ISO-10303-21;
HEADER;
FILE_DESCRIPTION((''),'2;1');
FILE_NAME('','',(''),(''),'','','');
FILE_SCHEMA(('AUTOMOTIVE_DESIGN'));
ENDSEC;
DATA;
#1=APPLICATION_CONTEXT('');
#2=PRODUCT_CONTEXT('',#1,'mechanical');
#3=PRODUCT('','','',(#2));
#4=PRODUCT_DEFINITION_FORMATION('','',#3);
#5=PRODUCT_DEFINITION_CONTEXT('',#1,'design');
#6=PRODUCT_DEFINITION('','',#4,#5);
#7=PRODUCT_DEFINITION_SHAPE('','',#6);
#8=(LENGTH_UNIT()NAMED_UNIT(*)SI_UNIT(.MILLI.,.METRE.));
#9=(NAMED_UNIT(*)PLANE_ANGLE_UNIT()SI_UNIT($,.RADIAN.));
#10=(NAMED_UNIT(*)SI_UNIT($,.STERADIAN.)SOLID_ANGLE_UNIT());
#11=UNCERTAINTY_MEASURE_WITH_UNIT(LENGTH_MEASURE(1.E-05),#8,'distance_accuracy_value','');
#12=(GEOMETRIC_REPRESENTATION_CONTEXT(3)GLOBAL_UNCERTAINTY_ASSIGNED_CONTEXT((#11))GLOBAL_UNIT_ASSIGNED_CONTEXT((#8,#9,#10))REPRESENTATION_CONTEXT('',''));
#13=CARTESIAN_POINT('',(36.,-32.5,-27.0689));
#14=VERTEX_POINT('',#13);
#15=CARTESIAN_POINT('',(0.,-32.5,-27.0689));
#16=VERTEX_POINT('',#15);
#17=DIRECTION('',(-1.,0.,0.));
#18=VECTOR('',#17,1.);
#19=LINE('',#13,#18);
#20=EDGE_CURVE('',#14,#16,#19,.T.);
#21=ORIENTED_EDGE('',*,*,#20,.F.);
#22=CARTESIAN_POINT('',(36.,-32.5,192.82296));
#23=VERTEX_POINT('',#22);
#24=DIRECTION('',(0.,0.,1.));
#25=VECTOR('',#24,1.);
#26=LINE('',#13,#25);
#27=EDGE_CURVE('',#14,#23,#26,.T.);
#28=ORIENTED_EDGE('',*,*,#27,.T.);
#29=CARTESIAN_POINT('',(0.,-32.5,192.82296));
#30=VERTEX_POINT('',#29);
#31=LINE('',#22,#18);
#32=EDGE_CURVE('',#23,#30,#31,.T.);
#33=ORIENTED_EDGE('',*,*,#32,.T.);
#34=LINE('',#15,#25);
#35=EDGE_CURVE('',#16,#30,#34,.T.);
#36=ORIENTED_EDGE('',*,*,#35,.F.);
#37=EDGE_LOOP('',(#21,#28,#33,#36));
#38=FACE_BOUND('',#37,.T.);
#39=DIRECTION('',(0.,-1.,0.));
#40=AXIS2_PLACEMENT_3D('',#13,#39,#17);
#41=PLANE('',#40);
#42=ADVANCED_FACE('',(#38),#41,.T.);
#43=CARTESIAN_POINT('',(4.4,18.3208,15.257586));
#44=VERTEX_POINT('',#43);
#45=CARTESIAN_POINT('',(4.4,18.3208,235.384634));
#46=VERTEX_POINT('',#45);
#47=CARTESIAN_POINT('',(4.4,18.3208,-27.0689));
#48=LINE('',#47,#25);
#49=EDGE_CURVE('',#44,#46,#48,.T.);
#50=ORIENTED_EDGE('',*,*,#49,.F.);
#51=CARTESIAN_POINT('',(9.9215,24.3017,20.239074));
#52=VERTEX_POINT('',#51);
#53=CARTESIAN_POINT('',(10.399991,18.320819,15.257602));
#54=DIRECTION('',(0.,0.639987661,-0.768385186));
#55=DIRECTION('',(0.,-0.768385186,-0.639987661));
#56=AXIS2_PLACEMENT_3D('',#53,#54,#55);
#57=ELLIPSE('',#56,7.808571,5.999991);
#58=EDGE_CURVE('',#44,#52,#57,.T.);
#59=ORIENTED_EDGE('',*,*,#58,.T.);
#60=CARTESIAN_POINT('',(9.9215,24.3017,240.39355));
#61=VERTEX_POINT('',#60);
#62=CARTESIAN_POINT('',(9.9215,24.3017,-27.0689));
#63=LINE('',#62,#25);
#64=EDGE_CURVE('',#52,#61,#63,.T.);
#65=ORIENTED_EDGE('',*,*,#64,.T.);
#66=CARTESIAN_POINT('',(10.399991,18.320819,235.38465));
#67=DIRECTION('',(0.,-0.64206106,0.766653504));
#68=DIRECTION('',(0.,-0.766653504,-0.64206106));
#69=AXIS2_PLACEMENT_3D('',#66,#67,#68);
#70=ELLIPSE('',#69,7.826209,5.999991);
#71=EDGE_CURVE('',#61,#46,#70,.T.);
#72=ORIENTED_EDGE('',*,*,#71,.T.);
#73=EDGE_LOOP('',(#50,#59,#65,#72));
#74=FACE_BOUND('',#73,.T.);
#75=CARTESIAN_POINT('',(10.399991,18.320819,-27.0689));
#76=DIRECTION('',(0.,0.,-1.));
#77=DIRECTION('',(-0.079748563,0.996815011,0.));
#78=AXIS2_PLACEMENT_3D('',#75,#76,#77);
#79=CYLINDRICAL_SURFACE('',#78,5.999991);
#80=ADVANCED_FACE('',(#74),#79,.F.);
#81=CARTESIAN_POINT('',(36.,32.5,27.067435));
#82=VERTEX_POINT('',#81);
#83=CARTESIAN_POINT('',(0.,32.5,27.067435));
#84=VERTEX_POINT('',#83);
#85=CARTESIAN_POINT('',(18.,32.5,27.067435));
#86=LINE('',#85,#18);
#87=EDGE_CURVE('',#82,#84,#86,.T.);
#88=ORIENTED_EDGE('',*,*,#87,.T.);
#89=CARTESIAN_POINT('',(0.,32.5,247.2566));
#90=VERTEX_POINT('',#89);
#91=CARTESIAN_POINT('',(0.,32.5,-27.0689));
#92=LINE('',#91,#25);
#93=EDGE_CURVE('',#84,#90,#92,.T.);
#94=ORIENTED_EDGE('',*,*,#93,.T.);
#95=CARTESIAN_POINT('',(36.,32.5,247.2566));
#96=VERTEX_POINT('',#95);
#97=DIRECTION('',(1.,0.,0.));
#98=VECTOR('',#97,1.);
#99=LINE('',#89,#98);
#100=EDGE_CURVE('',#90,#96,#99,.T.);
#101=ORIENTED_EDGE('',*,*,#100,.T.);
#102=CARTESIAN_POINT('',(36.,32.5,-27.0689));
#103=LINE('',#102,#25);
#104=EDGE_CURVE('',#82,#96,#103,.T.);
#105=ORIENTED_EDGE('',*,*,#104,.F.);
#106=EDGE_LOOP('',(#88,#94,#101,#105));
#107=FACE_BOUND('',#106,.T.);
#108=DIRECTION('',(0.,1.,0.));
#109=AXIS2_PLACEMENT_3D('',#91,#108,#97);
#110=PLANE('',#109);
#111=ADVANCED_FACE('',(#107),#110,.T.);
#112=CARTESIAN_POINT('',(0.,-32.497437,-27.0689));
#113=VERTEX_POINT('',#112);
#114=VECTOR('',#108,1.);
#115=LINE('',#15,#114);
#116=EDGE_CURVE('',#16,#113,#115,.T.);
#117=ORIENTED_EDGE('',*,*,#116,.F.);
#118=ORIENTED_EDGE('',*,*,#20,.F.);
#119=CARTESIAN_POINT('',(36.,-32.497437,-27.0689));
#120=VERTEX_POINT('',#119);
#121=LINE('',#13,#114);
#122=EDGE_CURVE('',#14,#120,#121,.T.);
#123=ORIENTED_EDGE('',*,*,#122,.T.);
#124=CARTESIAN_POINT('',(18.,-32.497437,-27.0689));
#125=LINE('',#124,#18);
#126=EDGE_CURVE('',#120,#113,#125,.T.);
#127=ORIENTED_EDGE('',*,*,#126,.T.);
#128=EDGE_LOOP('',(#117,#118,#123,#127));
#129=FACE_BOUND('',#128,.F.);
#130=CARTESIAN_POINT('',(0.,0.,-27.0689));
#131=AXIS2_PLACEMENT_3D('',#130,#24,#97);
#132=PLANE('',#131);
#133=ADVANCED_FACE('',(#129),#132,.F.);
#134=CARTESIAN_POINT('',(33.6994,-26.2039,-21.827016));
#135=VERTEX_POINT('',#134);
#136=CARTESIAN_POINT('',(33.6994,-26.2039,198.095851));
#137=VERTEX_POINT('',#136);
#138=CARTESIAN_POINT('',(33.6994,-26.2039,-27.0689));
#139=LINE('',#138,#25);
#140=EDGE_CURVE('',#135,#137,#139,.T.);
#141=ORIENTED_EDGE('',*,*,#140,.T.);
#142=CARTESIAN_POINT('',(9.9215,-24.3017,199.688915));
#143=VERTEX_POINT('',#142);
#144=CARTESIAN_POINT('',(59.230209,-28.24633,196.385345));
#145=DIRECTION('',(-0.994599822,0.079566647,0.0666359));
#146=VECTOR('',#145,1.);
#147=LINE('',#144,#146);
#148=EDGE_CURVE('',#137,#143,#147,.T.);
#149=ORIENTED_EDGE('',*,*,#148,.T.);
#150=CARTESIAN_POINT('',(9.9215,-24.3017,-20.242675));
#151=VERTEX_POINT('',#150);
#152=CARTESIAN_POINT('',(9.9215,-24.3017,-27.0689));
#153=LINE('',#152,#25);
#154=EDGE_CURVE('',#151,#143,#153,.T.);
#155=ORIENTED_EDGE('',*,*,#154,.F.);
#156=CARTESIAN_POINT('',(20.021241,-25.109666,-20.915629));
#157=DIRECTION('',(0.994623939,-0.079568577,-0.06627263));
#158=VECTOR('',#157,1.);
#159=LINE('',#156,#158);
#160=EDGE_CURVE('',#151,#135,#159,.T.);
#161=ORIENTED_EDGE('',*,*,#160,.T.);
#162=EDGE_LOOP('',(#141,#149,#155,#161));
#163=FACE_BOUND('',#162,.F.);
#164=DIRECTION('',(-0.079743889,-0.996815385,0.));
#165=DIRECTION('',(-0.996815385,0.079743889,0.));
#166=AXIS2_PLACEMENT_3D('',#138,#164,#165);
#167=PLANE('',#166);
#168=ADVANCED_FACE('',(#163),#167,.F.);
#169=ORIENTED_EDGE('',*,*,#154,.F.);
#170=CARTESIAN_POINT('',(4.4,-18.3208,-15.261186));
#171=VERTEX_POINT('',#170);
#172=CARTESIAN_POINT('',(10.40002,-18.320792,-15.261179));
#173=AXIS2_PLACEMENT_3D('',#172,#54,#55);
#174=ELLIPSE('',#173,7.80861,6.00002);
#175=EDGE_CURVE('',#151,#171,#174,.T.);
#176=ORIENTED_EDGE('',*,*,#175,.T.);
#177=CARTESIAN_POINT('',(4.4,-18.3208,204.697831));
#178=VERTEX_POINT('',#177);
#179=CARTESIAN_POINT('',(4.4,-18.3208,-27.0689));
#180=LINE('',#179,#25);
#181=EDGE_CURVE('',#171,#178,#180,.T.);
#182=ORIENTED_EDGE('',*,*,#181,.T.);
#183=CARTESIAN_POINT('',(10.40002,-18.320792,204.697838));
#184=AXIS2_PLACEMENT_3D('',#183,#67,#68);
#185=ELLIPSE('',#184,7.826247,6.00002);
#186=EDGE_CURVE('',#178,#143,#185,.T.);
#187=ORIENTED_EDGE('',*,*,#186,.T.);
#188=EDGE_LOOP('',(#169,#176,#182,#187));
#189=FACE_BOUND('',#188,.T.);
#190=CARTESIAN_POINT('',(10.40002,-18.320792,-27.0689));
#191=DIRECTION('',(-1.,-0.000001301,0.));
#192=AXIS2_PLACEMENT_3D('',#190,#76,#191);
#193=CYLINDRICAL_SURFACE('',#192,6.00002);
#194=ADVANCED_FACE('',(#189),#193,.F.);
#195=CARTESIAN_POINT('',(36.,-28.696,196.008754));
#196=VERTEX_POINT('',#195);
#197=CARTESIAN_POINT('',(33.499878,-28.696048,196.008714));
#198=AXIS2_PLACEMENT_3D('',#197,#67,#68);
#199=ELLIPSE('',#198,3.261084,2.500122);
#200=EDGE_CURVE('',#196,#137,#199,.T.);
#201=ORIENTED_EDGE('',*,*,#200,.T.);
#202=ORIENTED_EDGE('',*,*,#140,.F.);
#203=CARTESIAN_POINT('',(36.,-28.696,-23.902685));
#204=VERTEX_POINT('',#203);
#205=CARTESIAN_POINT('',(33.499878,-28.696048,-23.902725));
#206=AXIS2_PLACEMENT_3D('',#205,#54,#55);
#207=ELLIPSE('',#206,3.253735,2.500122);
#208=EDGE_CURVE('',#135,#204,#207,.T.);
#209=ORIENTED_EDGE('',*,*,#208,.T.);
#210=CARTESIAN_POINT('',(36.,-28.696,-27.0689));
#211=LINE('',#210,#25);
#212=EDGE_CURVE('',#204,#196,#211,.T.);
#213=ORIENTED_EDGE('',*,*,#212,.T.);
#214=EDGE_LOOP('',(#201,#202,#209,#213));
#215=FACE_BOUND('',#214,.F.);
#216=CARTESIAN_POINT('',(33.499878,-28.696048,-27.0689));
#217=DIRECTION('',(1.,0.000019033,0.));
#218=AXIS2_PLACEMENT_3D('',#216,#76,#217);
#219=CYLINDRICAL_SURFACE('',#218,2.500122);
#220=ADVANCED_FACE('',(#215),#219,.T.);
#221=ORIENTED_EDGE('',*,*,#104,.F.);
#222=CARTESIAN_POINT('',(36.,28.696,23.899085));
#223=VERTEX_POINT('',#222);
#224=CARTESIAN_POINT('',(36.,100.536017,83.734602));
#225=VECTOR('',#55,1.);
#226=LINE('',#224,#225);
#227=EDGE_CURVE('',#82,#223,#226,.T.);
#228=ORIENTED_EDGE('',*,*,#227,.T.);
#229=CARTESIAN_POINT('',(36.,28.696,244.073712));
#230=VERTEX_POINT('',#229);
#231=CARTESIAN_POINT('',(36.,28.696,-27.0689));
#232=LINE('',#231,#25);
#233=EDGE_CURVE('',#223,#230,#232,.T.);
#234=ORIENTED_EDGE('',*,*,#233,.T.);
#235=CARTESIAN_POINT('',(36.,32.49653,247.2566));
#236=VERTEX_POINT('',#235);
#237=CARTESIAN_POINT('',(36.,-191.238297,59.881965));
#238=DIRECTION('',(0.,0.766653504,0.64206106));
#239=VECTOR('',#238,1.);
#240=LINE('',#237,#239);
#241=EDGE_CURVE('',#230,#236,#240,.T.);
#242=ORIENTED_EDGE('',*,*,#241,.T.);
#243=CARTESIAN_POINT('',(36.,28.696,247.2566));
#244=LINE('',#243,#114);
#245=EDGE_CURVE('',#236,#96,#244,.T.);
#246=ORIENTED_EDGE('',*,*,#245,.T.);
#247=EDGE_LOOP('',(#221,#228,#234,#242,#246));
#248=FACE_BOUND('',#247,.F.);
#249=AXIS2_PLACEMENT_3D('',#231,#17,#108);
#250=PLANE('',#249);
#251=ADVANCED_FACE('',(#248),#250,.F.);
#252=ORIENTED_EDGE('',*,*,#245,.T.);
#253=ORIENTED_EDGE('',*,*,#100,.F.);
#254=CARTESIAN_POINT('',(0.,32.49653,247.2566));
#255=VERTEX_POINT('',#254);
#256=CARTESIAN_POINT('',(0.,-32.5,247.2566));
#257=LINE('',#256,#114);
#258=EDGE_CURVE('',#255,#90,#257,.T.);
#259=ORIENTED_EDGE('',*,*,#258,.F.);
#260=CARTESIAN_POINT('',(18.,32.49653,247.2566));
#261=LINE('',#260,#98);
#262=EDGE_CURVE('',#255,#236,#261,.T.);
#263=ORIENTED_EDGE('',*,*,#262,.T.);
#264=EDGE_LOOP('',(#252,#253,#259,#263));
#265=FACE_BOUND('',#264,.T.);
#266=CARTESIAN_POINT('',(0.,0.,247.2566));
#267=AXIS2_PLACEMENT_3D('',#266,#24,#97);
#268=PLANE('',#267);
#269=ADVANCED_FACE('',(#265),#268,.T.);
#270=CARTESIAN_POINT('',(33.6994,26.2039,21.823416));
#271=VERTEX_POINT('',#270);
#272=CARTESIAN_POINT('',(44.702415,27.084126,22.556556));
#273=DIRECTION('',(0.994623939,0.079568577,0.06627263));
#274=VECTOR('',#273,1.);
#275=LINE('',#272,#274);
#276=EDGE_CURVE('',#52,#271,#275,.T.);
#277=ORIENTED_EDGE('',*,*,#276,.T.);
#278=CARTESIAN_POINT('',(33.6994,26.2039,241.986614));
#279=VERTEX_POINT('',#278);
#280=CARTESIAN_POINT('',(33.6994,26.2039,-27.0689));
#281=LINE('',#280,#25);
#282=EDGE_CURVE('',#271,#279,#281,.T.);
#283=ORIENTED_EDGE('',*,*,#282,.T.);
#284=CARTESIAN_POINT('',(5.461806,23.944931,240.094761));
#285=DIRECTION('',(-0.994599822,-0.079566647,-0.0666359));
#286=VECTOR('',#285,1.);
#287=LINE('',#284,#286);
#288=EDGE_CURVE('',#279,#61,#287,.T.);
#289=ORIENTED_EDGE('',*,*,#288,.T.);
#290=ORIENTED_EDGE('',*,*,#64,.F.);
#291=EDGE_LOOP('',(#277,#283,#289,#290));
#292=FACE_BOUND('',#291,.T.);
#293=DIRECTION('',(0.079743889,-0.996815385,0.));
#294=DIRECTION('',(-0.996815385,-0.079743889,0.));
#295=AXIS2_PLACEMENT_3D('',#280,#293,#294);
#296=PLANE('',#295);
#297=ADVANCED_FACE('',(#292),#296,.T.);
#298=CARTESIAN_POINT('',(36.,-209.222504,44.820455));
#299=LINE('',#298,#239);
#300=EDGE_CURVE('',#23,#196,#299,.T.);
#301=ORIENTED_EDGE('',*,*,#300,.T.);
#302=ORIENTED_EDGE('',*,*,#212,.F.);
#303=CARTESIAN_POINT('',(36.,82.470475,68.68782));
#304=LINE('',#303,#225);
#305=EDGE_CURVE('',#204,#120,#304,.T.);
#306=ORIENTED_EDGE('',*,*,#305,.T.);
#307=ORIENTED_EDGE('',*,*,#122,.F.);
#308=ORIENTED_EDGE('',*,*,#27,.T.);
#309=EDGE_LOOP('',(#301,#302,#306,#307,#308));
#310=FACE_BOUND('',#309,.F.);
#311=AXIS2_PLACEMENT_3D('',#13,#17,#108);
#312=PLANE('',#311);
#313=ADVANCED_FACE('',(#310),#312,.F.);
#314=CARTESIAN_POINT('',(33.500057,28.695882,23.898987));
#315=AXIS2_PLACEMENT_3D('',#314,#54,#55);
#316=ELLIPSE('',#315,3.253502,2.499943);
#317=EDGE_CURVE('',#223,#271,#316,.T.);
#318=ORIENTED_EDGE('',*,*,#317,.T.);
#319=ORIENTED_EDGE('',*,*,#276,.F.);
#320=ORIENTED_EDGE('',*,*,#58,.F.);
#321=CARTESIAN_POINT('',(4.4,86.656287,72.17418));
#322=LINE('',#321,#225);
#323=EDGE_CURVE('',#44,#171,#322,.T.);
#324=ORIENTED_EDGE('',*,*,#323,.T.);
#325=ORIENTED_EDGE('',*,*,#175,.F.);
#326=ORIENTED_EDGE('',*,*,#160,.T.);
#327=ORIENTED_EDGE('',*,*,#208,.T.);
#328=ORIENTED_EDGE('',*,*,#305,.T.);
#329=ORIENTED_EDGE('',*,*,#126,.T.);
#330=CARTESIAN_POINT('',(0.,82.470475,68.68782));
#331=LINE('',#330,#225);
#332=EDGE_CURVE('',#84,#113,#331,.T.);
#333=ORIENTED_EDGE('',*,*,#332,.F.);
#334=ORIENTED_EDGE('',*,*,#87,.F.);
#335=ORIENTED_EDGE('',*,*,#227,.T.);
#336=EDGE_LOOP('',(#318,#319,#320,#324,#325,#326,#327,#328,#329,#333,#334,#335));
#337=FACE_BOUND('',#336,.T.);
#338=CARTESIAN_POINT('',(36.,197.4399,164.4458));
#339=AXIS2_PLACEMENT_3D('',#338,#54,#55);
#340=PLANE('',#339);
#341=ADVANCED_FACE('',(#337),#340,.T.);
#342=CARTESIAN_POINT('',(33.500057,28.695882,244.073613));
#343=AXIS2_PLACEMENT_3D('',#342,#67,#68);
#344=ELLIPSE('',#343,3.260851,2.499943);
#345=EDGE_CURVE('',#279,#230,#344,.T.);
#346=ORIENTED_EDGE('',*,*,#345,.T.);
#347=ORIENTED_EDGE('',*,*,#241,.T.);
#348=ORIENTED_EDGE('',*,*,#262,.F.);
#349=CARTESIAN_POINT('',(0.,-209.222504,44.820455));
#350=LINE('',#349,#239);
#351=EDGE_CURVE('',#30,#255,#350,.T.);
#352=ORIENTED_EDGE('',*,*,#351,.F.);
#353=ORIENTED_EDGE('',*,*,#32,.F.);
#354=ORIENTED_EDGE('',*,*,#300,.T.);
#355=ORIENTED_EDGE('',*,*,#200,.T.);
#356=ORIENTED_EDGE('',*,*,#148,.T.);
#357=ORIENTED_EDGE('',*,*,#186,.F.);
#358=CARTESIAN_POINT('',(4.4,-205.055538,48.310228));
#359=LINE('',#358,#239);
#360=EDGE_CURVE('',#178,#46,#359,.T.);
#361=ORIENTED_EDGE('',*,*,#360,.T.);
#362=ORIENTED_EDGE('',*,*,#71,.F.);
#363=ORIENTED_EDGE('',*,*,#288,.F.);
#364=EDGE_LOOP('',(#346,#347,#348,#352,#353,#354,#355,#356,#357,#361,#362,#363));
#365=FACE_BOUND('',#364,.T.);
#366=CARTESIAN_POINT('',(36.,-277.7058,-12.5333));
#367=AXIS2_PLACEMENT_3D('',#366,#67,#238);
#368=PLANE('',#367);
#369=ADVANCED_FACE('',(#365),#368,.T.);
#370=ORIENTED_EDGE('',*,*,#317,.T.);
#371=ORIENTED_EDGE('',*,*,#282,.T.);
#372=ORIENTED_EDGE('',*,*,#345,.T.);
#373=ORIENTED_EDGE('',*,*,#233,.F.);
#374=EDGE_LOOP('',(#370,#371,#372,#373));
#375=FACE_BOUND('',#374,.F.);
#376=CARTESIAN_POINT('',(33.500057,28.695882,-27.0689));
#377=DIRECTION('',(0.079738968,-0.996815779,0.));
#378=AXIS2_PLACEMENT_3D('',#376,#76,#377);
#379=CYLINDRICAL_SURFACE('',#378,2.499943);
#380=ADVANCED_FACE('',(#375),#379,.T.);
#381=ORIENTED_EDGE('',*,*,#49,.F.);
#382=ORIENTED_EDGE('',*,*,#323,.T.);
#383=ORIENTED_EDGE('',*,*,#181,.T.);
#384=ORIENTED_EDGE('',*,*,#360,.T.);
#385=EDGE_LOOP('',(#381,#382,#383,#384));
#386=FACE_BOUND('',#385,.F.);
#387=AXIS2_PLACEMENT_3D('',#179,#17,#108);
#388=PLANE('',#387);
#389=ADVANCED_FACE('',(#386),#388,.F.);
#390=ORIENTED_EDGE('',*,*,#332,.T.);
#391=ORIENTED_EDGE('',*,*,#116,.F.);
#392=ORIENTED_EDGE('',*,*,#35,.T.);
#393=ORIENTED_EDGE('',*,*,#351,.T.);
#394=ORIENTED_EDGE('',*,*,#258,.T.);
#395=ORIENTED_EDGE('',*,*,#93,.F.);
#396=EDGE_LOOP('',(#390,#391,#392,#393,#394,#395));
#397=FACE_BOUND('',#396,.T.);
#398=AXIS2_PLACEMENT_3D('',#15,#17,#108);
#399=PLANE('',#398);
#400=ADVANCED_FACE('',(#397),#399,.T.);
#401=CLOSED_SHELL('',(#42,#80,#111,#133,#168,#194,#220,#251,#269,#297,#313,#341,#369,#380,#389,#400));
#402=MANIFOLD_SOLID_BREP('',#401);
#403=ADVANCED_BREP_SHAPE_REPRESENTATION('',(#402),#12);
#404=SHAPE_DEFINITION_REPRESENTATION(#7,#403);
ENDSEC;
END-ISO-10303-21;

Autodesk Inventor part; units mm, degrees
ref_plane "Начальная плоскость" through (0, 0, -27.0689) normal (0, 0, 1) x (1, 0, 0)
ref_plane "Конечная плоскость" through (0, 0, 247.2565) normal (0, 0, 1) x (1, 0, 0)
sketch "Эскиз" plane through (0, 0, 0) normal (0, 0, 1) x (1, 0, 0)
  line L0 (36, -32.5) -> (0, -32.5)
  line L1 (36, -32.5) -> (36, -28.696)
  line L2 (33.6994, -26.2039) -> (9.9215, -24.3017)
  line L3 (4.4, -18.3208) -> (4.4, 18.3208)
  line L4 (33.6994, 26.2039) -> (9.9215, 24.3017)
  line L5 (36, 28.696) -> (36, 32.5)
  line L6 (0, 32.5) -> (36, 32.5)
  line L7 (0, -32.5) -> (0, 32.5)
  arc A0 (4.4, -18.3208) -> (9.9215, -24.3017) centre (10.4, -18.3208) ccw
  arc A1 (9.9215, 24.3017) -> (4.4, 18.3208) centre (10.4, 18.3208) ccw
  arc A2 (36, -28.696) -> (33.6994, -26.2039) centre (33.5, -28.696) ccw
  arc A3 (33.6994, 26.2039) -> (36, 28.696) centre (33.5, 28.696) ccw
  line L8 (0, 45.5) -> (0, -45.5) construction
  line L9 (-7.2974, 0) -> (43.7847, 0) construction
  point P0 (36, -26.388)
  point P1 (4.4, -23.86)
  point P2 (4.4, 23.86)
  point P3 (36, 26.388)
  dimension "d3" = 36
  dimension "d5" = 4.4
  dimension "d7" = 65
  dimension "d9" = 8.64
  dimension "d11" = 8.64
  dimension "d13" = 6.112
  dimension "d15" = 6.112
  dimension "d22" = 6
  dimension "d23" = 2.5
  dimension "d24" = 32.5
  dimension "d25" = 0
extrude "Тело" add sketch "Эскиз" along normal up to surface (274.3255 mm away) from surface at -27.0689
sketch "Sketch3" plane through (0, 0, 0) normal (0, 0, 1) x (1, 0, 0)
  line L0 (0, 0) -> (10, 0)
ref_plane "Work Plane7" through (0, 0, 0) normal (0, -1, 0) x (1, 0, 0)
sketch "Sketch4" plane through (0, 0, 0) normal (0, -1, 0) x (1, 0, 0)
  line L0 (-2, -27.0689) -> (12, -27.0689)
  line L1 (-2, 247.2565) -> (12, 247.2565)
  dimension "d29" = 274.3255
ref_plane "РабПлоскость8" through (36, 197.4399, 164.4458) normal (0, 0.64, -0.7684) x (1, 0, 0)
split "Разделение1" plane through (36, 197.4399, 164.4458) removes the side toward (0, 0.64, -0.7684)
ref_plane "РабПлоскость9" through (36, -277.7058, -12.5333) normal (0, -0.6421, 0.7667) x (1, 0, 0)
split "Разделение2" plane through (36, -277.7058, -12.5333) removes the side toward (0, -0.6421, 0.7667)
equation "\"d3\" = b"
equation "\"d5\" = t1"
equation "\"d7\" = ParH"
equation "\"d9\" = msp_x1 + t2"
equation "\"d11\" = msp_x1 + t2"
equation "\"d13\" = -msp_x2 + t2"
equation "\"d15\" = -msp_x2 + t2"
equation "\"d22\" = R"
equation "\"d23\" = R1"
equation "\"d24\" = 0.5 * d7"
equation "\"d16\" = G_L"
equation "\"R1\" = 2.5"
equation "\"R\" = 6"
equation "\"t1\" = 4.4"
equation "\"t2\" = 7.2"
equation "\"ParH\" = 65"
equation "\"b\" = 36"
equation "\"msp_x1\" = 0.04 * b"
equation "\"msp_x2\" = -0.08 * t1 + 0.04 * b"
equation "\"G_L\" = d29"
equation "\"ex\" = 0"
equation "\"G_OFFSET_START\" = 27.06893"
equation "\"G_OFFSET_END\" = 27.21796"
equation "\"d26\" = -G_OFFSET_START"
equation "\"d27\" = G_OFFSET_END + B_L"
equation "\"B_L\" = 220.03857"
properties part number "Швеллер 6.5U-274,33 ГОСТ 8240-97" material "Сталь, мягкая"
